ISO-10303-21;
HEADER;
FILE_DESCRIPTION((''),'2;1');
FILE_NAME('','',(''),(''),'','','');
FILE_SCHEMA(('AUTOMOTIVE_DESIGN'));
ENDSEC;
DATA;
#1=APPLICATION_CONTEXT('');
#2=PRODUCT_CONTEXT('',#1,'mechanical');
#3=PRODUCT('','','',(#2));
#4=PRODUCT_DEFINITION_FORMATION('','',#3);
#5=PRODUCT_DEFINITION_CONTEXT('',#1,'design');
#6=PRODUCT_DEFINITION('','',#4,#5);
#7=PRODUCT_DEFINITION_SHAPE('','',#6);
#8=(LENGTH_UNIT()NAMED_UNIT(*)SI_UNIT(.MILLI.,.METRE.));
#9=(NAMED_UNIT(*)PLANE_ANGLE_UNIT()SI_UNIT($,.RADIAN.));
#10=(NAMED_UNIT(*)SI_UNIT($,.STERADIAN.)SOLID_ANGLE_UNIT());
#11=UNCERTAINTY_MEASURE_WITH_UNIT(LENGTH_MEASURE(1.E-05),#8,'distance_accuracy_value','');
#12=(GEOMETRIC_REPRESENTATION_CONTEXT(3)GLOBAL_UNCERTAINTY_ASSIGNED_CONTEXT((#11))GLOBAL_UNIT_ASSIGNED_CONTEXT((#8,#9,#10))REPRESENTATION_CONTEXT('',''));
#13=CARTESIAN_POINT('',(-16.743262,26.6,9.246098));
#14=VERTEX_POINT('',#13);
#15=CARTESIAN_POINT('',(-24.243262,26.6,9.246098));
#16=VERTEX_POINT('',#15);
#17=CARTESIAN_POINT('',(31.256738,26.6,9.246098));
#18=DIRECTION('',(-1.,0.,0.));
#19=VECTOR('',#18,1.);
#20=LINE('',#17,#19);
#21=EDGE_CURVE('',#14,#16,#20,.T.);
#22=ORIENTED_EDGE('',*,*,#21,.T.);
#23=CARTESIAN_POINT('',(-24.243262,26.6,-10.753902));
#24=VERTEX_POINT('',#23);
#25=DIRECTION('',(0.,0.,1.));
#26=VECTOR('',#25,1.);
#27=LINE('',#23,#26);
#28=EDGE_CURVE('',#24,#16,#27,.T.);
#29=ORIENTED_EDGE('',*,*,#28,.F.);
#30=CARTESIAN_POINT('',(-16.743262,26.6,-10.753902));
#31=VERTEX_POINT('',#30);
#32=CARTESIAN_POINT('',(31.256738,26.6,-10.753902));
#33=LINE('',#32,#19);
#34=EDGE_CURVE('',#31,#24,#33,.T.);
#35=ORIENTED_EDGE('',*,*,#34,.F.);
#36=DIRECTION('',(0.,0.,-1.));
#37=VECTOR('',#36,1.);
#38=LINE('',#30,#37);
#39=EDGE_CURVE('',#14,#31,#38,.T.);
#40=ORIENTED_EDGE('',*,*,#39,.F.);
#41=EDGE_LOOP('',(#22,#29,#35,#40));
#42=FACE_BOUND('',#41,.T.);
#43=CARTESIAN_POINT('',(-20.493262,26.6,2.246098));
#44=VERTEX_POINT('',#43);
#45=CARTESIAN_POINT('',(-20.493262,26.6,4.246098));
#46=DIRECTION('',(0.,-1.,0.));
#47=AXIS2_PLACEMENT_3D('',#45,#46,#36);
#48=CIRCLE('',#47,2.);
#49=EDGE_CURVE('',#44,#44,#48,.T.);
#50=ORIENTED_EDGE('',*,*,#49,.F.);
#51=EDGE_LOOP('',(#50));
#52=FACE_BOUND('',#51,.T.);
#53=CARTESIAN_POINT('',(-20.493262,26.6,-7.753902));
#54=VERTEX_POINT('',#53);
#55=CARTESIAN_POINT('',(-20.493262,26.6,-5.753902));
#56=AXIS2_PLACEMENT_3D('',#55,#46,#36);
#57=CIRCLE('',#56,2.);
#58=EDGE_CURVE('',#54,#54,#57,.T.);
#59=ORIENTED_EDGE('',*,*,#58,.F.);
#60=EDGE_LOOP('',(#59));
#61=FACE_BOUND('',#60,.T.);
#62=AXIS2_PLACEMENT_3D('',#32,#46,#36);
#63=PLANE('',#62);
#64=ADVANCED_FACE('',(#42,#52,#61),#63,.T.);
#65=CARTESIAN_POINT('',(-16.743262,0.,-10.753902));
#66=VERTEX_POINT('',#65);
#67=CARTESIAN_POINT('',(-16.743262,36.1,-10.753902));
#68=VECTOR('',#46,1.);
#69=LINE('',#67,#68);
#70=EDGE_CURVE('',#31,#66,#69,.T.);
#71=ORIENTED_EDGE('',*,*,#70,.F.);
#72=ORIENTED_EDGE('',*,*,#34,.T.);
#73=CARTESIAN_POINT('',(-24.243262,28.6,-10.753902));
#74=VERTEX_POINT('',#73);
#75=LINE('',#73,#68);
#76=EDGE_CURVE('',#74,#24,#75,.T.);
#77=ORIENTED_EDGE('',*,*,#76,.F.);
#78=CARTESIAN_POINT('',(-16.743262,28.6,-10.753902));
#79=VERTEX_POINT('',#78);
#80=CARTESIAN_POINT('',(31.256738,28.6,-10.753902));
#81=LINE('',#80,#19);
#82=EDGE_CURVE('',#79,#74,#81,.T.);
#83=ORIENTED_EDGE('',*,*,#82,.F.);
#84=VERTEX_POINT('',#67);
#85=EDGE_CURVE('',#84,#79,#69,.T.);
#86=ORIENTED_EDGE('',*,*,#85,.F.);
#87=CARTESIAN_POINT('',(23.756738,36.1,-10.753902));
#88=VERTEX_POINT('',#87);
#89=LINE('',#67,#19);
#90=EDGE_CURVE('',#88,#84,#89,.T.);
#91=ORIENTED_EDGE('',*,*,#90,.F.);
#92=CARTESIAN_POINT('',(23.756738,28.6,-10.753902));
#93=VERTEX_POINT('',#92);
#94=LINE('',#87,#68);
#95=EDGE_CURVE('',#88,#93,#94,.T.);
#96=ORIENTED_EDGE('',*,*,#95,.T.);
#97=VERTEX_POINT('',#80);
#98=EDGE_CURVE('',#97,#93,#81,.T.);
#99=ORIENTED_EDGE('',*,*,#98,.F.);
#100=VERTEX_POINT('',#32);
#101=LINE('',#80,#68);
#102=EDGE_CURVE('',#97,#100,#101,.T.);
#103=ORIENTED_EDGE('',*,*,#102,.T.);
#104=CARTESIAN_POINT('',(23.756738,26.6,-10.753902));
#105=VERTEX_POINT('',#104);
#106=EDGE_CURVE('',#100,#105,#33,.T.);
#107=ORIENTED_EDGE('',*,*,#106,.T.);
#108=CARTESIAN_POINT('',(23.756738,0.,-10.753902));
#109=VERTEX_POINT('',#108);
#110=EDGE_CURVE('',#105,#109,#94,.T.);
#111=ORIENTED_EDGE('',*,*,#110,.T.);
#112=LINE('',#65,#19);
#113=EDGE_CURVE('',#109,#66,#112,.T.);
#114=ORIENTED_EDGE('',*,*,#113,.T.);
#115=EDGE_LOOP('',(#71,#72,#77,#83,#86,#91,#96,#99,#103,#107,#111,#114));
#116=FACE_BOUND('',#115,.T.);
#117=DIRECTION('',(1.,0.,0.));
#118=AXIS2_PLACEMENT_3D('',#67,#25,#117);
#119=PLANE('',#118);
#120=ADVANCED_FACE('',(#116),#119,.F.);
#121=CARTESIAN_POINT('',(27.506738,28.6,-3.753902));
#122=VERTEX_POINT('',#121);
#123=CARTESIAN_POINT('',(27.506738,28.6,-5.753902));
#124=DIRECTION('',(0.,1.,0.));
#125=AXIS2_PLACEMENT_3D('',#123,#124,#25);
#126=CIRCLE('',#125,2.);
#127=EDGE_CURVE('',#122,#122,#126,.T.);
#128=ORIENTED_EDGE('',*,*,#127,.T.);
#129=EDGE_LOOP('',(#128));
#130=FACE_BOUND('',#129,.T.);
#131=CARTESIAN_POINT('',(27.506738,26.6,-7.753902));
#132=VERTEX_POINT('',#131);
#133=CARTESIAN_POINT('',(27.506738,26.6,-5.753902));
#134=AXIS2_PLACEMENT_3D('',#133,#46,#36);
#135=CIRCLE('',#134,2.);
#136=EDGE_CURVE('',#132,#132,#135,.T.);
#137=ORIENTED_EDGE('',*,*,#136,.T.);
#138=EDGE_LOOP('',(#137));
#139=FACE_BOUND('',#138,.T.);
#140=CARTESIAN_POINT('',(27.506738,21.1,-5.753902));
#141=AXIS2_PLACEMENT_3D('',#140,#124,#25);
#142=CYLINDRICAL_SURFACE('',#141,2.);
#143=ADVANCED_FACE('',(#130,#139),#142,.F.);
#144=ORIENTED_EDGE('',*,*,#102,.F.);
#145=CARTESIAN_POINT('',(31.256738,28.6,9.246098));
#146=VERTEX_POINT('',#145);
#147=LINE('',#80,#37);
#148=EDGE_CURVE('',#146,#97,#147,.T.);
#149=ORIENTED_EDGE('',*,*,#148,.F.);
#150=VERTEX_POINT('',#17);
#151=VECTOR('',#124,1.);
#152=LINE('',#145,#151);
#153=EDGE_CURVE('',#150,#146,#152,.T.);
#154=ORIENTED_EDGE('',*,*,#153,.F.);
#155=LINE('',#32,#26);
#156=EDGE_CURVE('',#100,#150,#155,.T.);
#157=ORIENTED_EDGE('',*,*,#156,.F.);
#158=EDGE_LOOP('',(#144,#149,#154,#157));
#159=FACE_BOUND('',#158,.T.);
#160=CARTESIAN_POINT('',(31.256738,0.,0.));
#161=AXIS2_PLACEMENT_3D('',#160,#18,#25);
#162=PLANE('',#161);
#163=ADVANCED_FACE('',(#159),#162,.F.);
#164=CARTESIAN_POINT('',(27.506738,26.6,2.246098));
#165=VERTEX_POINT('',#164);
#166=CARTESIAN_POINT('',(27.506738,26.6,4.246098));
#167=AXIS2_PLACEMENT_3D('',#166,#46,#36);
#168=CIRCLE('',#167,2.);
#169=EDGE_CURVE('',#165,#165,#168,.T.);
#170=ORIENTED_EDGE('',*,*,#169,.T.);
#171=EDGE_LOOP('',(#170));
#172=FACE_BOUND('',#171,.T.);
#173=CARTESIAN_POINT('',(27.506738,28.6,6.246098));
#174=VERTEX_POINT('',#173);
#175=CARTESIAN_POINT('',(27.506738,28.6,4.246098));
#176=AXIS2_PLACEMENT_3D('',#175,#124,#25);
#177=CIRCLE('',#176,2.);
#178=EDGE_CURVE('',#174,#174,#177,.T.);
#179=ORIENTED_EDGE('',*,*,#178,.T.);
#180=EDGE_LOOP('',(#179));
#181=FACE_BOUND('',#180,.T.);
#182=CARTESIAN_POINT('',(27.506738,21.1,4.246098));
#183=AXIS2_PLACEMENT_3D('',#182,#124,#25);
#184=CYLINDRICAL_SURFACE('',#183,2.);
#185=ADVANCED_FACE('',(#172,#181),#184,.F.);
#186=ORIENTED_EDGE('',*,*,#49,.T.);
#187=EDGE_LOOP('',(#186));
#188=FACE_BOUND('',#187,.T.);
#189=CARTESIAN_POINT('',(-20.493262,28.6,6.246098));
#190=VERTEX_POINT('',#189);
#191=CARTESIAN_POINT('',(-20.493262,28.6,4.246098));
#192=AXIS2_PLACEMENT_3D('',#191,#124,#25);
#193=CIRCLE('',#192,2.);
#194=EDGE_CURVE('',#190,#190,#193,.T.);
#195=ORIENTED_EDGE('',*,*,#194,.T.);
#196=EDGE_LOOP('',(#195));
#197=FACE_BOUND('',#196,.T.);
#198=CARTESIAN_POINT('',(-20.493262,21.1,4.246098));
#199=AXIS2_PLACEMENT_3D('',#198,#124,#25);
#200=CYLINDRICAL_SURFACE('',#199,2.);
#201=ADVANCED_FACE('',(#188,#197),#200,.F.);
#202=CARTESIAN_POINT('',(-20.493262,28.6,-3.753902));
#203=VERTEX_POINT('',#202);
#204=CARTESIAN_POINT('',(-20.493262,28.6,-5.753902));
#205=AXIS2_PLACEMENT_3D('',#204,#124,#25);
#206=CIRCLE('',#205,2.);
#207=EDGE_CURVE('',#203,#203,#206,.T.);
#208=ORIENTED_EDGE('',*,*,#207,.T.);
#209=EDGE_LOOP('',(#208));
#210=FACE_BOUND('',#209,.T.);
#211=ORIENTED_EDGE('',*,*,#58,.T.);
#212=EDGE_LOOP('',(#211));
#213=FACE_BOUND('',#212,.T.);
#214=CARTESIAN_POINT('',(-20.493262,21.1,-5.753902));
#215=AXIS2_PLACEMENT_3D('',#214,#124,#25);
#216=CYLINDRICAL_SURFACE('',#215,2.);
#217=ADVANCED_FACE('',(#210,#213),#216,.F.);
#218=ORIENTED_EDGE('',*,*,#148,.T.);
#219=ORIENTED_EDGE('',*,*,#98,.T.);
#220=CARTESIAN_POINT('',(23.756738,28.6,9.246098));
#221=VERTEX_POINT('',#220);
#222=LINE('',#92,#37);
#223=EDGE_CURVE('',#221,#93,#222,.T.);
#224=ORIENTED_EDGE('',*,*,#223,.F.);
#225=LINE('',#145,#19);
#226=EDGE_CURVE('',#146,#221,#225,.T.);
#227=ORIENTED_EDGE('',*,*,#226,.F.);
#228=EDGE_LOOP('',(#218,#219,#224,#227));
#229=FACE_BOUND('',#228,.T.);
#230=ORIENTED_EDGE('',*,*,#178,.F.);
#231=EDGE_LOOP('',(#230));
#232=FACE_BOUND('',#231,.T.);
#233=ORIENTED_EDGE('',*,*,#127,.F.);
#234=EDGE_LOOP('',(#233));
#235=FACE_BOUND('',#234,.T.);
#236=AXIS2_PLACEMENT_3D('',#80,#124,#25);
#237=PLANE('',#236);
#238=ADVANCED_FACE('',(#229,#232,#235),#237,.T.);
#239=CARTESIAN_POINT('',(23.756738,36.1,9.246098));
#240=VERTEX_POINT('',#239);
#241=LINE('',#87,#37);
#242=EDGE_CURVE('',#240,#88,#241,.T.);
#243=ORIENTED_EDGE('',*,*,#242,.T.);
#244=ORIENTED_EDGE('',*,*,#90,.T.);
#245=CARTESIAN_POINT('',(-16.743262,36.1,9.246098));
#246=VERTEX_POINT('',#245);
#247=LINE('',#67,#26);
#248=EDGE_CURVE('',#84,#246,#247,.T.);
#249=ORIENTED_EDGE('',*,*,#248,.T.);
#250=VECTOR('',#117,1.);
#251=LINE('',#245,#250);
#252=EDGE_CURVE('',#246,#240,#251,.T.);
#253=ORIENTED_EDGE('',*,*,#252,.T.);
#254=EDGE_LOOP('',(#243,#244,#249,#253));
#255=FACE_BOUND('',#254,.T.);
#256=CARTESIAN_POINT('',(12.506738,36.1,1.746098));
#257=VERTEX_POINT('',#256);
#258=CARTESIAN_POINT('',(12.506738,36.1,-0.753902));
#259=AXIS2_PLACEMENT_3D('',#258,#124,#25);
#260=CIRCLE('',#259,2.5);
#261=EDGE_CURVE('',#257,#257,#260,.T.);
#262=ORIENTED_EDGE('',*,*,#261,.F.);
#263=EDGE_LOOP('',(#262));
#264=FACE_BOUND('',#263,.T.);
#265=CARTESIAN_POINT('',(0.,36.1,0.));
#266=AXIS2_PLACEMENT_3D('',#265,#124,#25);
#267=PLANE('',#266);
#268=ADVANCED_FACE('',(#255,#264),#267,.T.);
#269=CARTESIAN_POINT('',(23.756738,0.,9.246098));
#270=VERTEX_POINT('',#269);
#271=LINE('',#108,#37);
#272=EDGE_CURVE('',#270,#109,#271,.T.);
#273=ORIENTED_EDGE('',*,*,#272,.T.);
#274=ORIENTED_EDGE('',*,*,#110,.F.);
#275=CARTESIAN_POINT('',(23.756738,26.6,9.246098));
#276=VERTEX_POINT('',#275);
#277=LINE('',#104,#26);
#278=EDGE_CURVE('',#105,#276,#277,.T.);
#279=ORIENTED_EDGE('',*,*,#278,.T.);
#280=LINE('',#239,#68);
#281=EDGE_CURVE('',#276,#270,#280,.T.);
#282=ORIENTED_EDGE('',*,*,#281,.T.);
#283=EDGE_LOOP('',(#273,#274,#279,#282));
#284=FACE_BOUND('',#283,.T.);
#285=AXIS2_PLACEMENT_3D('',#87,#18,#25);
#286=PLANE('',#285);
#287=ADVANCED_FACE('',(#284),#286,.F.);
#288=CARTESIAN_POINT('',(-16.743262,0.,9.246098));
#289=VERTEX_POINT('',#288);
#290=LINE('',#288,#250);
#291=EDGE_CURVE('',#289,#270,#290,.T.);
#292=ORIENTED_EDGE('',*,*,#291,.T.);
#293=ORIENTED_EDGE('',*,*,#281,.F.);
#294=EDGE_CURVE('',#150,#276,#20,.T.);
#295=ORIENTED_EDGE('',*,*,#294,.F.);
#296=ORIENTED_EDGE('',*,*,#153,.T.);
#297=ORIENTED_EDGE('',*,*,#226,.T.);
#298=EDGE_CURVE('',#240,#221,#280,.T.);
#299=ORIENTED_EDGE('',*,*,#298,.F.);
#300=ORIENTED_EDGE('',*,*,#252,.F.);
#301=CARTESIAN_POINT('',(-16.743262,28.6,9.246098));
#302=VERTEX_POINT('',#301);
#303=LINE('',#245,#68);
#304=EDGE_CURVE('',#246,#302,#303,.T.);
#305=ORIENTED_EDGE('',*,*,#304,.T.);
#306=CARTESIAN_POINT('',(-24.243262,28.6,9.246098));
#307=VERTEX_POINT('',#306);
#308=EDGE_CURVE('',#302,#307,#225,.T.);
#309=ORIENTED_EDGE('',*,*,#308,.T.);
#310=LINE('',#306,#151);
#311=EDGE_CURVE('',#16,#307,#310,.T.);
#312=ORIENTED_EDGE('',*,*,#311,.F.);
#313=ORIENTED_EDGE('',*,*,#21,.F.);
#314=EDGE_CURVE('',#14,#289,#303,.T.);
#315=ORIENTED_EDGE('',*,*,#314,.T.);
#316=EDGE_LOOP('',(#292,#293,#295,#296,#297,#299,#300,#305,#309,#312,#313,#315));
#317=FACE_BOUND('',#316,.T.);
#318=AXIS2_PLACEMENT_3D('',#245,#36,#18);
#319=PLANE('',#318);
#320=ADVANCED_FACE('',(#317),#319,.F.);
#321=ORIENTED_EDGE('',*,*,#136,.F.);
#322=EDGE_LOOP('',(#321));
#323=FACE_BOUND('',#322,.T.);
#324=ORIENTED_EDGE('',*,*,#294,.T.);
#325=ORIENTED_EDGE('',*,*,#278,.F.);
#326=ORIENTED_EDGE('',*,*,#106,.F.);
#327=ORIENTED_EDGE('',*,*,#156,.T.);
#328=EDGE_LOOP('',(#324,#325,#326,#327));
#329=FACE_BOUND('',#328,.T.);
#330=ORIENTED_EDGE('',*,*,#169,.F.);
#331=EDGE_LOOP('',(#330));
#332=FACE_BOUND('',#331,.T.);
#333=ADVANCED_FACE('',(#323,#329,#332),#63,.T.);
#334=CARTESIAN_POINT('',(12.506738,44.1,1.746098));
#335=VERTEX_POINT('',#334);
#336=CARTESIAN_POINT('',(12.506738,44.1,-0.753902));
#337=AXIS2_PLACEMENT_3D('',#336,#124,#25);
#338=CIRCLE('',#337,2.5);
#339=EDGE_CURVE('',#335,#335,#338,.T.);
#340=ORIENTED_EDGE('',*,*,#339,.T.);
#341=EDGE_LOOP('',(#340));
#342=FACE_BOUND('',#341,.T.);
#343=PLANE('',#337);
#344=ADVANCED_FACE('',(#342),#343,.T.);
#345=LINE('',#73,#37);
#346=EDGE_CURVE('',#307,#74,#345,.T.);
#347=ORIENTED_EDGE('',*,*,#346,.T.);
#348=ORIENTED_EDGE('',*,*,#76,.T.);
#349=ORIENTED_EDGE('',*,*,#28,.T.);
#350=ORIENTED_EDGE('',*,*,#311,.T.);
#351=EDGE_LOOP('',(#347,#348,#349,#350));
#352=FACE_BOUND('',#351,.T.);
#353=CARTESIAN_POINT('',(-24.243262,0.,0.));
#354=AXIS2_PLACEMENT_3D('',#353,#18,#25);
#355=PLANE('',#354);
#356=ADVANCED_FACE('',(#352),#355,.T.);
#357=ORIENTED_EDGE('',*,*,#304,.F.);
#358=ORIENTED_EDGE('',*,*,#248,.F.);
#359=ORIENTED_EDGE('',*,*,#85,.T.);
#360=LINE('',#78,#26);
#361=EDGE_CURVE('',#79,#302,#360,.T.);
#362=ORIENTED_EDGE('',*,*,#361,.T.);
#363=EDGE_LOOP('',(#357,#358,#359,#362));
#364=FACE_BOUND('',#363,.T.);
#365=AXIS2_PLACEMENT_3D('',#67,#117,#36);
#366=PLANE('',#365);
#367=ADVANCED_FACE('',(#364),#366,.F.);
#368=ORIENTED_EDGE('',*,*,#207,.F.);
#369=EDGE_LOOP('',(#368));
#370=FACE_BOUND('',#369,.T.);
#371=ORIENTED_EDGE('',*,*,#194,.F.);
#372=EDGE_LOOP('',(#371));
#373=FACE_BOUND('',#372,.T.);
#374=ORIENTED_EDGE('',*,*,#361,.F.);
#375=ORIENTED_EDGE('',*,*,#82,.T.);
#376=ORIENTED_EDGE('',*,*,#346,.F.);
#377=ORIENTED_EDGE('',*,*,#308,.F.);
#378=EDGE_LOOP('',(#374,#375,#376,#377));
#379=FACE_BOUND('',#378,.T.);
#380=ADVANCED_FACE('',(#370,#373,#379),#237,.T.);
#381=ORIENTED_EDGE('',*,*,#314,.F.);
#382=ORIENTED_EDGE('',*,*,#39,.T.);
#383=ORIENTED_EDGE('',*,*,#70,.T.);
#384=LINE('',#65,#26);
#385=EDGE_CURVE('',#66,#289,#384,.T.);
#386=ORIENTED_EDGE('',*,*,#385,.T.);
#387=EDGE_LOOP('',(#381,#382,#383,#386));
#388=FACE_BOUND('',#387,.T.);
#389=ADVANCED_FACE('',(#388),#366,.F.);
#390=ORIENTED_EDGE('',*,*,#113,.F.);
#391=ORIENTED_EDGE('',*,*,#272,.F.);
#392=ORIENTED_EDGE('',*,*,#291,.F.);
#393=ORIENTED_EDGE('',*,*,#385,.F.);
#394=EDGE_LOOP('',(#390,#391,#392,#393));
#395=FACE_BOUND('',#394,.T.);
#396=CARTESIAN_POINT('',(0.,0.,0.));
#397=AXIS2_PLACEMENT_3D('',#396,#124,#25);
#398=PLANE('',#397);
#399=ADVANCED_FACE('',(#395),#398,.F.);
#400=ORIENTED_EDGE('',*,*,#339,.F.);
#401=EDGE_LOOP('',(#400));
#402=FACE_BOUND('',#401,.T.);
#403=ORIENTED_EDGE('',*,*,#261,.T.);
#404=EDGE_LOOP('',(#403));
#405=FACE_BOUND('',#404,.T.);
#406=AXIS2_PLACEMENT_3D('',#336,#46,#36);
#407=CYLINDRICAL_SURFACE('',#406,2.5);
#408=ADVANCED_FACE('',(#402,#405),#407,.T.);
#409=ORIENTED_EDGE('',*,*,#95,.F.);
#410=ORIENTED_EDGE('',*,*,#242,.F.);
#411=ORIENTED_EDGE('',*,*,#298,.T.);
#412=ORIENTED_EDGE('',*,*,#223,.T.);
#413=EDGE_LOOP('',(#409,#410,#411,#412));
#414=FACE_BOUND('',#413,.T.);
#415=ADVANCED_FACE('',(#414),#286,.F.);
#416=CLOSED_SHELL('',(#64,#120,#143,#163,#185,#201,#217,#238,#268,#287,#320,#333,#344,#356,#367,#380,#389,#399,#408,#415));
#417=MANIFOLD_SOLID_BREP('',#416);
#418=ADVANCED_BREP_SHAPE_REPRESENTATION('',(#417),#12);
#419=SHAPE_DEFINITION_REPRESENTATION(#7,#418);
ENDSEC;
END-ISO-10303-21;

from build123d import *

# Parameters (mm, degrees)
SKETCH1_W                = 40.5
SKETCH1_H                = 20
BOSS_EXTRUDE1_DEPTH      = 36.1
SKETCH2_R                = 2.5
BOSS_EXTRUDE2_DEPTH      = 8
BOSS_EXTRUDE3_DEPTH      = 7.5
BOSS_EXTRUDE3_DEPTH_BACK = 48
SKETCH3_W                = 20
SKETCH3_H                = 2
SKETCH4_R                = 2
CUT_EXTRUDE1_DEPTH       = 7.5


with BuildPart() as part:
    # Sketch1 → Boss-Extrude1 (new body)
    with BuildSketch(Plane(origin=(0, 0, 0), x_dir=(1, 0, 0), z_dir=(0, 1, 0))):
        with Locations((3.506737992, 0.753901676)):
            Rectangle(SKETCH1_W, SKETCH1_H)
    extrude(amount=BOSS_EXTRUDE1_DEPTH)

    # Sketch2 → Boss-Extrude2 (add)
    with BuildSketch(Plane(origin=(0, 36.1, 0), x_dir=(1, 0, 0), z_dir=(0, 1, 0))):
        with Locations(Location((12.506737992, 0.753901676, 0), (0, 0, 270))):
            Circle(SKETCH2_R)
    extrude(amount=BOSS_EXTRUDE2_DEPTH)

    # Sketch3 → Boss-Extrude3 (add, two sides: drawn at the far end of the back side and taken through both)
    with BuildSketch(Plane.ZY.offset(16.743262008).offset(-BOSS_EXTRUDE3_DEPTH_BACK)):
        with Locations((-0.753901676, 27.6)):
            Rectangle(SKETCH3_W, SKETCH3_H)
    extrude(amount=BOSS_EXTRUDE3_DEPTH + BOSS_EXTRUDE3_DEPTH_BACK)

    # Sketch4 → Cut-Extrude1 (cut)
    with BuildSketch(Plane(origin=(0, 28.6, 0), x_dir=(1, 0, 0), z_dir=(0, 1, 0))):
        with Locations(Location((-20.493262008, 5.753901676, 0), (0, 0, 270))):
            Circle(SKETCH4_R)
        with Locations(Location((27.506737992, 5.753901676, 0), (0, 0, 270))):
            Circle(SKETCH4_R)
        with Locations(Location((-20.493262008, -4.246098324, 0), (0, 0, 270))):
            Circle(SKETCH4_R)
        with Locations(Location((27.506737992, -4.246098324, 0), (0, 0, 270))):
            Circle(SKETCH4_R)
    extrude(amount=-CUT_EXTRUDE1_DEPTH, mode=Mode.SUBTRACT)


solid = part.part
